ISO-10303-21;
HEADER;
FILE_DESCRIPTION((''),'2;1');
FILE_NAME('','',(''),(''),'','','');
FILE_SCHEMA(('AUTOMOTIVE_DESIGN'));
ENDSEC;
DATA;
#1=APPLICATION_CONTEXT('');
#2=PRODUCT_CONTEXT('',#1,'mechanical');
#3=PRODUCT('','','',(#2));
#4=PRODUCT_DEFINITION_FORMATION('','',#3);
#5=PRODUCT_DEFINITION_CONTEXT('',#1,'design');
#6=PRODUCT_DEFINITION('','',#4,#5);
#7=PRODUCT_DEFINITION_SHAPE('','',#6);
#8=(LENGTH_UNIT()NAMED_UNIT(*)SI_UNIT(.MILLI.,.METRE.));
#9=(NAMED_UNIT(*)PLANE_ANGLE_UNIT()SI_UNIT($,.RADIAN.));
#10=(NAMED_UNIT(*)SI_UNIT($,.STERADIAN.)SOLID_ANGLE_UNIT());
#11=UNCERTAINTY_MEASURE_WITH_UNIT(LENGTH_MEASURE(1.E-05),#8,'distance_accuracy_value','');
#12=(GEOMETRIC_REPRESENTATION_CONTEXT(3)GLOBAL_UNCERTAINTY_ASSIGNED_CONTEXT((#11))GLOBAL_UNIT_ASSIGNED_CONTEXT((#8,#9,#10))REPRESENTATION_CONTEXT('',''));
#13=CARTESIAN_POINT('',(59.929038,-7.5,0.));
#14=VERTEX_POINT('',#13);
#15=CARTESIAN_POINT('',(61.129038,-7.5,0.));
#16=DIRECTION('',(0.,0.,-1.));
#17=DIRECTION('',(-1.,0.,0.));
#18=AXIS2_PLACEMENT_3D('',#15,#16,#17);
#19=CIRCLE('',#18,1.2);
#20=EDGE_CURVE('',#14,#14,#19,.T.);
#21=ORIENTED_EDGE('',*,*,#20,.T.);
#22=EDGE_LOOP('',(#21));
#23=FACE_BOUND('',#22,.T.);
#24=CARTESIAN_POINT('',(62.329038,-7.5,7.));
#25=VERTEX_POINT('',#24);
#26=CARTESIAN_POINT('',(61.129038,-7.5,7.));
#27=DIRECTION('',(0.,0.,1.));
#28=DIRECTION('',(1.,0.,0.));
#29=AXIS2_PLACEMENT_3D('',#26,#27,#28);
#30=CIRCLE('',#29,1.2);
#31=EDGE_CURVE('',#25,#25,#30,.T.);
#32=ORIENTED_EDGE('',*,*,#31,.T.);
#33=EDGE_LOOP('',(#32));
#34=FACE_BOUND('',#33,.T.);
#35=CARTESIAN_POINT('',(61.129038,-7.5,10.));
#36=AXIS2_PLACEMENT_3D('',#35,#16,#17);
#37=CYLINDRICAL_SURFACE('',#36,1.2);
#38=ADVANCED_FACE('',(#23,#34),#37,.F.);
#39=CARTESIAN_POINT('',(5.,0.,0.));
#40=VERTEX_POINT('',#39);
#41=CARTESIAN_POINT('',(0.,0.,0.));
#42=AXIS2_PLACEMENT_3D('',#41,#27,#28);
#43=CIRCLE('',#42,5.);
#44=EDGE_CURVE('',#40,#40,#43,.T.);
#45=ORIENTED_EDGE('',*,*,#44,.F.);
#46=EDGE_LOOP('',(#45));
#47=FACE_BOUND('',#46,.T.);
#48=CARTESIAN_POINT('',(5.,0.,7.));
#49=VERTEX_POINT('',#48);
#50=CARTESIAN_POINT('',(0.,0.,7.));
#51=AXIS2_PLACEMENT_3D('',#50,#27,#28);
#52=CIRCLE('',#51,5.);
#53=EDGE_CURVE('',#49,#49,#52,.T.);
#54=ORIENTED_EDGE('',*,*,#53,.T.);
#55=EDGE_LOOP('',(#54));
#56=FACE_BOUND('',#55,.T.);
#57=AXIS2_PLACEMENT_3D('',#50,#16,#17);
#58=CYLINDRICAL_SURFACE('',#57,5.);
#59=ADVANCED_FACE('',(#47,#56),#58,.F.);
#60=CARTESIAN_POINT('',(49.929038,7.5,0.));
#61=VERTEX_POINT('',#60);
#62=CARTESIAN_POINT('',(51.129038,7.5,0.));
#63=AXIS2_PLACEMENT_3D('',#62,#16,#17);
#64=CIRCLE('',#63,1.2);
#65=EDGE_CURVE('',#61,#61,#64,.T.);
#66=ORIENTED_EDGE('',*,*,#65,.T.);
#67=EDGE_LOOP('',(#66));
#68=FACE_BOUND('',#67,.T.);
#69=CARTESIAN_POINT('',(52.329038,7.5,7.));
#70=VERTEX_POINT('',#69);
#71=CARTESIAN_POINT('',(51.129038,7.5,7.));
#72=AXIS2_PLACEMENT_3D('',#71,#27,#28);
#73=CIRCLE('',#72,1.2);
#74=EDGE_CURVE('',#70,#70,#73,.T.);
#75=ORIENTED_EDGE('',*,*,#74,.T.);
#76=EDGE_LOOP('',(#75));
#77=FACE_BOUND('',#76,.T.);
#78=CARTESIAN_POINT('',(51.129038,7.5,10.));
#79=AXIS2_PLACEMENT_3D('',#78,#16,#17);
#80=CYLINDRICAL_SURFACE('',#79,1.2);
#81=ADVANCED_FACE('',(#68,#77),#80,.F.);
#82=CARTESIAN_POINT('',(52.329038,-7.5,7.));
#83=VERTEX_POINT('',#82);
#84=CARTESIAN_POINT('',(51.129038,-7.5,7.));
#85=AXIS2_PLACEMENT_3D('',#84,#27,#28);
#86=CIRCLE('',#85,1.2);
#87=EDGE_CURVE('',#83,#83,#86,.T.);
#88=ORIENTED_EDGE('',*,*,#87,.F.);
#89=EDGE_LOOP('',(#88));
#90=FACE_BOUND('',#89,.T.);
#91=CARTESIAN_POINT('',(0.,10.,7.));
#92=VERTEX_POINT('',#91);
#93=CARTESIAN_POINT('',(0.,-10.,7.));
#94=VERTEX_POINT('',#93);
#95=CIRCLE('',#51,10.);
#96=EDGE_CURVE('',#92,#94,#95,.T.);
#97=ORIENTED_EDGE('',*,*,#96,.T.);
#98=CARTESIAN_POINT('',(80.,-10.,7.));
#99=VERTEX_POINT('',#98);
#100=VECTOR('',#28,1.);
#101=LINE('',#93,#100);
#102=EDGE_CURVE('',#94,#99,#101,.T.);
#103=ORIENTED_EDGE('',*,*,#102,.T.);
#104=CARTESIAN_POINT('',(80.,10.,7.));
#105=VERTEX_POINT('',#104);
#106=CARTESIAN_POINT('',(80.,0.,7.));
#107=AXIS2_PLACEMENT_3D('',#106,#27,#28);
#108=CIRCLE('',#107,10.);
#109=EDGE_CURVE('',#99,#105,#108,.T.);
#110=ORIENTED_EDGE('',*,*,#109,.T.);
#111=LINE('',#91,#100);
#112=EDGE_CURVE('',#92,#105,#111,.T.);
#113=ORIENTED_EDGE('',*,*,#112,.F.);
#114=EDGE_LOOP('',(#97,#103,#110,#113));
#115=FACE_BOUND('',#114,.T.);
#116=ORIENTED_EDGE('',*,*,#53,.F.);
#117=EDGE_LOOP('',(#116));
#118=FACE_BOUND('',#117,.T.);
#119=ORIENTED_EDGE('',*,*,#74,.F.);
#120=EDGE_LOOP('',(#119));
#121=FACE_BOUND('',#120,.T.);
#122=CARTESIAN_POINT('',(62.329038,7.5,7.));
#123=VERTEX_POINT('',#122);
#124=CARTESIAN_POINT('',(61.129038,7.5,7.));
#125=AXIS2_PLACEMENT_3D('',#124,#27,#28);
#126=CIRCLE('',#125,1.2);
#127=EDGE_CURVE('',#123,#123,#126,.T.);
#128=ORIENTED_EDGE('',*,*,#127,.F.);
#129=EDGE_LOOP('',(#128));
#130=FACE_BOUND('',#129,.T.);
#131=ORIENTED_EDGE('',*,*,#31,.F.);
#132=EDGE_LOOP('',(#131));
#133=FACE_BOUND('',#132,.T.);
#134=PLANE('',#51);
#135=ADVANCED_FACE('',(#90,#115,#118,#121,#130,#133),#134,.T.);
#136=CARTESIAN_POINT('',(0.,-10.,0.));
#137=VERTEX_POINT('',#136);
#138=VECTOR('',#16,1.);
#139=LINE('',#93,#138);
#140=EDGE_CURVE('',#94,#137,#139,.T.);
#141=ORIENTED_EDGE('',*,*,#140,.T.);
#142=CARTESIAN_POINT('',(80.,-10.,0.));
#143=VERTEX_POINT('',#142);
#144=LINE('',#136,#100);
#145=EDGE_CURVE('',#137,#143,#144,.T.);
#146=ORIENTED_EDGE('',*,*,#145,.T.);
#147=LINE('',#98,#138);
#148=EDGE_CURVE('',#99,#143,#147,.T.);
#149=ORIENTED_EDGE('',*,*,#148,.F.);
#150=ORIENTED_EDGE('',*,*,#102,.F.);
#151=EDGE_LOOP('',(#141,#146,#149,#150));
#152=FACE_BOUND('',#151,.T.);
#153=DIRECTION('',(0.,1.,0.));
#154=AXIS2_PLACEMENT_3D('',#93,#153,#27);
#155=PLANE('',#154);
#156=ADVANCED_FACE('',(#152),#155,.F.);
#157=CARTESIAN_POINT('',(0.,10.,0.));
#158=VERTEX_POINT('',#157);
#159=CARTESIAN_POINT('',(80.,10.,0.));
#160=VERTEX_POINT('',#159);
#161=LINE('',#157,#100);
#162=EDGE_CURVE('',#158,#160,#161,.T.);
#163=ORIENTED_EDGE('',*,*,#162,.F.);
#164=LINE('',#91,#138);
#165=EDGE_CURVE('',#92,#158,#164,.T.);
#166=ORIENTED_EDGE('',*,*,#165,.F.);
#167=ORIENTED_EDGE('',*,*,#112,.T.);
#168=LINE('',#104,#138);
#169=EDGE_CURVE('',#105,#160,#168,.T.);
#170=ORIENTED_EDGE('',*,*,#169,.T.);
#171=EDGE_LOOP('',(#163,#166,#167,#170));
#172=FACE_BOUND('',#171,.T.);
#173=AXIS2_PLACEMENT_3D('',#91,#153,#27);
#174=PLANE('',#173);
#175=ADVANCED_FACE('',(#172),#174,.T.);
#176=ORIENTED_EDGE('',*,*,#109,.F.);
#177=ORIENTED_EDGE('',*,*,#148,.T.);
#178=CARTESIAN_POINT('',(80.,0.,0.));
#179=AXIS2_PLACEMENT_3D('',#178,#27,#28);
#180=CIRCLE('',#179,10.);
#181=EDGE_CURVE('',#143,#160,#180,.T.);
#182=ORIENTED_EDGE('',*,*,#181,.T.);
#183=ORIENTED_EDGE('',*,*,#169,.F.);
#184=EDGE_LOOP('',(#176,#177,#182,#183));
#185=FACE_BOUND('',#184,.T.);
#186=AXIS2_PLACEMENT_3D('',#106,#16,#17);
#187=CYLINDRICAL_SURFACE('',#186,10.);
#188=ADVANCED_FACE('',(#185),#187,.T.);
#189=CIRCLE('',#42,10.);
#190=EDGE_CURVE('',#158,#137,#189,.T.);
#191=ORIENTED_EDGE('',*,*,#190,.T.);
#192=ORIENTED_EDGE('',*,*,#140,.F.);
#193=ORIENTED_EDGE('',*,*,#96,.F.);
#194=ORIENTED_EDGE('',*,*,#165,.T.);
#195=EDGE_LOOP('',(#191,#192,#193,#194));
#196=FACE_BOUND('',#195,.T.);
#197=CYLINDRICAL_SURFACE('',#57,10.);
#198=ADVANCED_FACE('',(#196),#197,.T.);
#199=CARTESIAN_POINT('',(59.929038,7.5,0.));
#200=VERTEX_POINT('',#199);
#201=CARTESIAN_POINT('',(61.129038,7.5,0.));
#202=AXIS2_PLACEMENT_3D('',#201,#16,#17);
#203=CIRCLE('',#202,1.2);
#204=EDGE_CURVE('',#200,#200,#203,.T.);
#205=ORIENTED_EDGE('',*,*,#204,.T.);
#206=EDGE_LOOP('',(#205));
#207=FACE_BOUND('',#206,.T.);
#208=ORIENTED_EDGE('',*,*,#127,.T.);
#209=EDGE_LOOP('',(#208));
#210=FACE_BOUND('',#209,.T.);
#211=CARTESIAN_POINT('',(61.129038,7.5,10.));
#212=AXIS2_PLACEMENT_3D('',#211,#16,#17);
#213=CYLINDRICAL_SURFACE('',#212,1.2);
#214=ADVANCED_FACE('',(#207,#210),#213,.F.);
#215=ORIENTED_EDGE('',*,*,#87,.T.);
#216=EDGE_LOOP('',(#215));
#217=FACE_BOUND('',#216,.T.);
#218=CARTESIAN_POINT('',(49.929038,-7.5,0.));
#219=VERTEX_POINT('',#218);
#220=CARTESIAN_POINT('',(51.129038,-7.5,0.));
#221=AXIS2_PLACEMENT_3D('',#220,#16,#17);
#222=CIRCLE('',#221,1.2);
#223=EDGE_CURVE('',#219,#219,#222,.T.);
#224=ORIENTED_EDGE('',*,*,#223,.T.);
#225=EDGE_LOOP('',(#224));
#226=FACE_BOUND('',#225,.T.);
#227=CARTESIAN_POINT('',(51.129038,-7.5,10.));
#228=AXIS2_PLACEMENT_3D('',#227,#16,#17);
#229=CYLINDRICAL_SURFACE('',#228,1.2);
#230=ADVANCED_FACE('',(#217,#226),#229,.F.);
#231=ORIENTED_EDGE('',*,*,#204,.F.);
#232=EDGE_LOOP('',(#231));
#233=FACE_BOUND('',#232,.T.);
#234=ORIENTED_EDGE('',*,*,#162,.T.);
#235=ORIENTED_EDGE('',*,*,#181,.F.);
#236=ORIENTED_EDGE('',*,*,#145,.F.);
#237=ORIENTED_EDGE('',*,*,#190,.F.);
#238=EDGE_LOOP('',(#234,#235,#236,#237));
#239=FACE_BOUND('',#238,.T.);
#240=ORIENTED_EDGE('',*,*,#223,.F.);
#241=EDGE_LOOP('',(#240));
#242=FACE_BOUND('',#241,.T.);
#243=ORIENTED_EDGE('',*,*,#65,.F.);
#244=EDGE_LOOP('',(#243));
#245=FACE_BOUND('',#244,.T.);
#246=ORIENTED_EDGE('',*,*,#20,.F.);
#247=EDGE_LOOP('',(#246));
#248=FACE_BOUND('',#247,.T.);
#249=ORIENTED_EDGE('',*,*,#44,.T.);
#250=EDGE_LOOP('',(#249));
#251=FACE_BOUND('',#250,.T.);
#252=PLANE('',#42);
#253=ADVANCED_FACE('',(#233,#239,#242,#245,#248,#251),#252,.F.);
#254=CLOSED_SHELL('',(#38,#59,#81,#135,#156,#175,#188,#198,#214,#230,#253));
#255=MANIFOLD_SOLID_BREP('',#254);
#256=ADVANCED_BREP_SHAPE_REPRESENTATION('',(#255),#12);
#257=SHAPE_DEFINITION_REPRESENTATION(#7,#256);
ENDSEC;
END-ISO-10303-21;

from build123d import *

# Parameters (mm, degrees)
SKETCH_1_R          = 10
SKETCH_1_R_2        = 5
EXTRUDE_1_DEPTH     = 7
SKETCH_2_R          = 1.2
CUT_EXTRUDE_1_DEPTH = 10


with BuildPart() as part:
    # 草图1 → 凸台-拉伸1 (new body)
    # profile 1 of 2: a face of its own
    with BuildSketch(Plane.XY):
        Circle(SKETCH_1_R)
        Circle(SKETCH_1_R_2, mode=Mode.SUBTRACT)
    # profile 2 of 2: a face of its own
    with BuildSketch(Plane.XY):
        with BuildLine():
            Line((80, 10), (0, 10))
            ThreePointArc((0, 10), (7.071067812, 7.071067812), (10, 0))
            ThreePointArc((10, 0), (7.071067812, -7.071067812), (0, -10))
            Line((0, -10), (80, -10))
            ThreePointArc((80, -10), (90, 0), (80, 10))
        make_face()
    extrude(amount=EXTRUDE_1_DEPTH)

    # 草图2 → 切除-拉伸1 (cut)
    with BuildSketch(Plane(origin=(0, 0, 0), x_dir=(-1, 0, 0), z_dir=(0, 0, -1))):
        with Locations((-51.129038153, -7.5)):
            Circle(SKETCH_2_R)
        with Locations((-61.129038153, -7.5)):
            Circle(SKETCH_2_R)
        with Locations((-61.129038153, 7.5)):
            Circle(SKETCH_2_R)
        with Locations((-51.129038153, 7.5)):
            Circle(SKETCH_2_R)
    extrude(amount=-CUT_EXTRUDE_1_DEPTH, mode=Mode.SUBTRACT)


solid = part.part
